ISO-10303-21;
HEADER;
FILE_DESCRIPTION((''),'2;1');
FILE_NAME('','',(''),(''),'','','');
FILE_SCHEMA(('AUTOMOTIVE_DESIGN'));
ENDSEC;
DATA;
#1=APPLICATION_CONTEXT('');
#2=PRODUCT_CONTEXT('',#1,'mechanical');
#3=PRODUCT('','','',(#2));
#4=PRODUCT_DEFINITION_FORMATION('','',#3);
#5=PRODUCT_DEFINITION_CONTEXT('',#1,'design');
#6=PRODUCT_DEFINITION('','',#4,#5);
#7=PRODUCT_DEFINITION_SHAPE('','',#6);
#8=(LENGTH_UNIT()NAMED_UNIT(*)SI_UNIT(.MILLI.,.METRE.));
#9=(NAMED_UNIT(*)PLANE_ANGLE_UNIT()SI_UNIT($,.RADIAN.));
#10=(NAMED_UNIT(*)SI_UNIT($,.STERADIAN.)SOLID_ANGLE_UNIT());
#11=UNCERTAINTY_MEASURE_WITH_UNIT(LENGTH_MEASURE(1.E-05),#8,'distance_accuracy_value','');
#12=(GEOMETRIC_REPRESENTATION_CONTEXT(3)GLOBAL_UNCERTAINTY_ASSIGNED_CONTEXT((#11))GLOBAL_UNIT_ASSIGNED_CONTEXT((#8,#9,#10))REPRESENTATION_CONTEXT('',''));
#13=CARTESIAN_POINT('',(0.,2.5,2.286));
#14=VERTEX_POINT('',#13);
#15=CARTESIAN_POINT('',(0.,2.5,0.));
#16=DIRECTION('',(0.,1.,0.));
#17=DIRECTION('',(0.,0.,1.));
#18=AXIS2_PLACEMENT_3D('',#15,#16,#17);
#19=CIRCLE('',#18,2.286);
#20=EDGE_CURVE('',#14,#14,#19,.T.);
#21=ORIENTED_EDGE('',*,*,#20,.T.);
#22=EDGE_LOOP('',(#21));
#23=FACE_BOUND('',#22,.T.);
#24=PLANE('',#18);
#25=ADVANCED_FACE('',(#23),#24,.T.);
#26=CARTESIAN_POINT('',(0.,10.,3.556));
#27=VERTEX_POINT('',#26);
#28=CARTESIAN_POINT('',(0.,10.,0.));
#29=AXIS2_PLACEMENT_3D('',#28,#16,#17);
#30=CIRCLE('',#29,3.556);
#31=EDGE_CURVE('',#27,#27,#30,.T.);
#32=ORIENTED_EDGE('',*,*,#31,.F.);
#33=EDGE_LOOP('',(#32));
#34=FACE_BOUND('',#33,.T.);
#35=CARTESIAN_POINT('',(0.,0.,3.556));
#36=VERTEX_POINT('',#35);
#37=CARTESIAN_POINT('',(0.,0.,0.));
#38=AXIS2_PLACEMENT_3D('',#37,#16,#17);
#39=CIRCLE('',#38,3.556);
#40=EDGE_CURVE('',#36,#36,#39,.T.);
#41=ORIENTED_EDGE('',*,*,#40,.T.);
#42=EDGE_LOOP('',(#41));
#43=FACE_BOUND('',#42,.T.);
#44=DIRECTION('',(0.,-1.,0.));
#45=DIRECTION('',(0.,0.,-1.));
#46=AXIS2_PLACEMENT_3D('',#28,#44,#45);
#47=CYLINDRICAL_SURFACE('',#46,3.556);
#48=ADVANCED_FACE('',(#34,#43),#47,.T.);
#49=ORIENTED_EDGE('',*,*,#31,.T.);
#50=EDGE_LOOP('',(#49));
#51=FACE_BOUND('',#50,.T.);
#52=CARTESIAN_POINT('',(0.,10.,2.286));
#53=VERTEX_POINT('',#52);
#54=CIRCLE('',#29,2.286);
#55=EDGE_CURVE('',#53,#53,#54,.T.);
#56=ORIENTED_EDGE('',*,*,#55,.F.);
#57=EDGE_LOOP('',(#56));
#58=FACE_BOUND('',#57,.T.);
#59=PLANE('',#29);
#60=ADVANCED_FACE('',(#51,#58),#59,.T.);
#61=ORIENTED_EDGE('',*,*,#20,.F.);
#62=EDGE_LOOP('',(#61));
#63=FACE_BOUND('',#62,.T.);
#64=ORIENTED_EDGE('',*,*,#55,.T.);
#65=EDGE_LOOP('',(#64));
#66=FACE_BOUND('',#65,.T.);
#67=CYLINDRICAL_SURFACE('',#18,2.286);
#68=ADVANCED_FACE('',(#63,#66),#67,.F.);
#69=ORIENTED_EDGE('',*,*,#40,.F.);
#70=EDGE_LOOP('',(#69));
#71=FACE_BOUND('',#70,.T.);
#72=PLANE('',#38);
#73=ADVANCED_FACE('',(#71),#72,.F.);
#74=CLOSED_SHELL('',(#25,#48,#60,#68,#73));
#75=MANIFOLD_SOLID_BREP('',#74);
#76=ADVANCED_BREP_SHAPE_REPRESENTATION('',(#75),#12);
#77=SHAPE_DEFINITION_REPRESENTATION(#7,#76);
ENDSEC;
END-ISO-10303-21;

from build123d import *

# Parameters (mm, degrees)
SKETCH1_R           = 3.556
BOSS_EXTRUDE1_DEPTH = 10
SKETCH2_R           = 2.286
CUT_EXTRUDE1_DEPTH  = 7.5


with BuildPart() as part:
    # Sketch1 → Boss-Extrude1 (new body)
    with BuildSketch(Plane(origin=(0, 0, 0), x_dir=(1, 0, 0), z_dir=(0, 1, 0))):
        with Locations(Location((0, 0, 0), (0, 0, 270))):
            Circle(SKETCH1_R)
    extrude(amount=BOSS_EXTRUDE1_DEPTH)

    # Sketch2 → Cut-Extrude1 (cut)
    with BuildSketch(Plane(origin=(0, 10, 0), x_dir=(1, 0, 0), z_dir=(0, 1, 0))):
        with Locations(Location((0, 0, 0), (0, 0, 270))):
            Circle(SKETCH2_R)
    extrude(amount=-CUT_EXTRUDE1_DEPTH, mode=Mode.SUBTRACT)


solid = part.part
